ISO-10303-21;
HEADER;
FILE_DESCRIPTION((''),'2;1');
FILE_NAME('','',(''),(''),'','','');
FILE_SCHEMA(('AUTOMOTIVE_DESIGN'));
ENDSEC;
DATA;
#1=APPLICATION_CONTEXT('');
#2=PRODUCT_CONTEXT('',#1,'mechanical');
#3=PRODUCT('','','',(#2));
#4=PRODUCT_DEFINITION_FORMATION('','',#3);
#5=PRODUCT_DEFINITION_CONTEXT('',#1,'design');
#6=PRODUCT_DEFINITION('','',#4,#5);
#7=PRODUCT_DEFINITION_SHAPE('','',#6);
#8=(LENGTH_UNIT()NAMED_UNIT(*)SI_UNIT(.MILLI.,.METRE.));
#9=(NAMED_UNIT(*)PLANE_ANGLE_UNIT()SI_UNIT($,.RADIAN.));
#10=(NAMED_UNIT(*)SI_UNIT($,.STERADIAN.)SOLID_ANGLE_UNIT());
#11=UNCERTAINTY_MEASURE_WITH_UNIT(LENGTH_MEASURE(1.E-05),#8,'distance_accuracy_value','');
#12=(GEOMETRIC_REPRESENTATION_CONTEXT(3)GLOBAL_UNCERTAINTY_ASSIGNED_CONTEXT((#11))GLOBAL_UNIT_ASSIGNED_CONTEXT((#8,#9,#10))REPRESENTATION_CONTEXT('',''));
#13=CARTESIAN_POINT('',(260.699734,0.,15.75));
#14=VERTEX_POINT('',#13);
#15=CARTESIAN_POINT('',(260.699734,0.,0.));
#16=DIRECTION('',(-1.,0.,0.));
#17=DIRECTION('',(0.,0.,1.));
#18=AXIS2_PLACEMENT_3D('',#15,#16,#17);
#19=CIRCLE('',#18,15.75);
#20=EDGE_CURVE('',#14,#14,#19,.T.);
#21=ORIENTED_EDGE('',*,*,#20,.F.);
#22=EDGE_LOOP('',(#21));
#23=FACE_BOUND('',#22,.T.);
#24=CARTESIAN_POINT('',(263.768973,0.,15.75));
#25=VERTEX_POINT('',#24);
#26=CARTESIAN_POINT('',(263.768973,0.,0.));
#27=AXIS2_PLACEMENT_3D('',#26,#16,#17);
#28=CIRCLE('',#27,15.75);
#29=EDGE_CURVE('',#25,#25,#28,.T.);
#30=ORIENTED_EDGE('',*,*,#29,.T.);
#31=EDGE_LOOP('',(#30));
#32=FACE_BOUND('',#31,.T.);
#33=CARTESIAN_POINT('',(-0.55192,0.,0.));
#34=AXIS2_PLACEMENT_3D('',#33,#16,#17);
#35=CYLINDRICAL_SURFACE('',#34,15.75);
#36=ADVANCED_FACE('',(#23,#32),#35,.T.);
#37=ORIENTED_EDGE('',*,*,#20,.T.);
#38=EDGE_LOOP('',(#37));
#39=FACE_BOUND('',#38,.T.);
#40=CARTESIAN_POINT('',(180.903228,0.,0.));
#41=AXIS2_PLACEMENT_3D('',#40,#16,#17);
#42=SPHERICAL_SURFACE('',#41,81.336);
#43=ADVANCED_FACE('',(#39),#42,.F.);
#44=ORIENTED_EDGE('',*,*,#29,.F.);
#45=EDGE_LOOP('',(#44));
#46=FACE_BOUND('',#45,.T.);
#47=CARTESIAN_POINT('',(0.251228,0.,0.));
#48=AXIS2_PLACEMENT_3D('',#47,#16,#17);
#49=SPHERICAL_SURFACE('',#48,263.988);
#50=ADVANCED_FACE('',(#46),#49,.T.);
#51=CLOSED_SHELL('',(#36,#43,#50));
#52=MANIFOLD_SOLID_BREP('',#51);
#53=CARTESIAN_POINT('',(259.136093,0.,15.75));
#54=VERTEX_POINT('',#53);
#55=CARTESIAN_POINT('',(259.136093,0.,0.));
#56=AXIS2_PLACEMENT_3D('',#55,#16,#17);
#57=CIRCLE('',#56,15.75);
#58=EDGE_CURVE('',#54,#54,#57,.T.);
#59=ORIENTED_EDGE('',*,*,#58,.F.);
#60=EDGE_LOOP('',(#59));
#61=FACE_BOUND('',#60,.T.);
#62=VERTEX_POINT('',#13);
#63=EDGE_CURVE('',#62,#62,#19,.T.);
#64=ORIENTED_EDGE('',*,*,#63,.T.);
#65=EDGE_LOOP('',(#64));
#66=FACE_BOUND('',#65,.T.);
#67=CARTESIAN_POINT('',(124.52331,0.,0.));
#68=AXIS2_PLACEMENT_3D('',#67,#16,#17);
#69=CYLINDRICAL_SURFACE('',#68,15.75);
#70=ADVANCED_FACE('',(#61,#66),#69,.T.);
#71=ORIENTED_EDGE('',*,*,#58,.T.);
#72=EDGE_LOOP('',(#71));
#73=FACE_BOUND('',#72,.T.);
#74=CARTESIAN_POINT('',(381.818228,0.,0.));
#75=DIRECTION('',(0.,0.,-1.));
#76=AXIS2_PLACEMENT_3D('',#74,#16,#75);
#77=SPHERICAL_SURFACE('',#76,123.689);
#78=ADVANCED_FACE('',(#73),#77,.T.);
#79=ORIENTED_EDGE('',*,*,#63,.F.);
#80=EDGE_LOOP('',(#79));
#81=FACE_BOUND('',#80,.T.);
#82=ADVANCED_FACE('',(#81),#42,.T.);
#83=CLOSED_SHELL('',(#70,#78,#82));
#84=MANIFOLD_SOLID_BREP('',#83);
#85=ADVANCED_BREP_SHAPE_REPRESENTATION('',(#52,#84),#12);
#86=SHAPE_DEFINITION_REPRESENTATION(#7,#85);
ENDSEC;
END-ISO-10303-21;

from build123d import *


with BuildPart() as part:
    # 草图1 one side → 旋转1 (revolve)
    with BuildSketch(Plane(origin=(0, 0, 0), x_dir=(1, 0, 0), z_dir=(0, 1, 0)), mode=Mode.PRIVATE) as revolve_1_sk:
        with BuildLine():
            ThreePointArc((259.136093298, 15.75), (258.381201118, 7.891075297), (258.129228187, 0))
            Line((258.129228187, 0), (262.239228187, 0))
            ThreePointArc((262.239228187, 0), (261.853439803, 7.912530273), (260.699734351, 15.75))
            Line((260.699734351, 15.75), (259.136093298, 15.75))
        make_face()
    revolve(revolve_1_sk.sketch.rotate(Axis((124.523309526, 0, 0), (1, 0, 0)), 180), axis=Axis((124.523309526, 0, 0), (1, 0, 0)))  # turned: the seam where the file's is


with BuildPart() as body_2:
    # 草图2 one side → 旋转3 (revolve)
    with BuildSketch(Plane(origin=(0, 0, 0), x_dir=(1, 0, 0), z_dir=(0, 1, 0)), mode=Mode.PRIVATE) as revolve_3_sk:
        with BuildLine():
            Line((263.768972645, 15.75), (260.699734351, 15.75))
            ThreePointArc((260.699734351, 15.75), (261.853439803, 7.912530273), (262.239228187, 0))
            Line((262.239228187, 0), (264.239228187, 0))
            ThreePointArc((264.239228187, 0), (264.121638112, 7.878509381), (263.768972645, 15.75))
        make_face()
    revolve(revolve_3_sk.sketch.rotate(Axis((-0.551919993, 0, 0), (1, 0, 0)), 180), axis=Axis((-0.551919993, 0, 0), (1, 0, 0)))  # turned: the seam where the file's is


solid = Compound([part.part, body_2.part])
